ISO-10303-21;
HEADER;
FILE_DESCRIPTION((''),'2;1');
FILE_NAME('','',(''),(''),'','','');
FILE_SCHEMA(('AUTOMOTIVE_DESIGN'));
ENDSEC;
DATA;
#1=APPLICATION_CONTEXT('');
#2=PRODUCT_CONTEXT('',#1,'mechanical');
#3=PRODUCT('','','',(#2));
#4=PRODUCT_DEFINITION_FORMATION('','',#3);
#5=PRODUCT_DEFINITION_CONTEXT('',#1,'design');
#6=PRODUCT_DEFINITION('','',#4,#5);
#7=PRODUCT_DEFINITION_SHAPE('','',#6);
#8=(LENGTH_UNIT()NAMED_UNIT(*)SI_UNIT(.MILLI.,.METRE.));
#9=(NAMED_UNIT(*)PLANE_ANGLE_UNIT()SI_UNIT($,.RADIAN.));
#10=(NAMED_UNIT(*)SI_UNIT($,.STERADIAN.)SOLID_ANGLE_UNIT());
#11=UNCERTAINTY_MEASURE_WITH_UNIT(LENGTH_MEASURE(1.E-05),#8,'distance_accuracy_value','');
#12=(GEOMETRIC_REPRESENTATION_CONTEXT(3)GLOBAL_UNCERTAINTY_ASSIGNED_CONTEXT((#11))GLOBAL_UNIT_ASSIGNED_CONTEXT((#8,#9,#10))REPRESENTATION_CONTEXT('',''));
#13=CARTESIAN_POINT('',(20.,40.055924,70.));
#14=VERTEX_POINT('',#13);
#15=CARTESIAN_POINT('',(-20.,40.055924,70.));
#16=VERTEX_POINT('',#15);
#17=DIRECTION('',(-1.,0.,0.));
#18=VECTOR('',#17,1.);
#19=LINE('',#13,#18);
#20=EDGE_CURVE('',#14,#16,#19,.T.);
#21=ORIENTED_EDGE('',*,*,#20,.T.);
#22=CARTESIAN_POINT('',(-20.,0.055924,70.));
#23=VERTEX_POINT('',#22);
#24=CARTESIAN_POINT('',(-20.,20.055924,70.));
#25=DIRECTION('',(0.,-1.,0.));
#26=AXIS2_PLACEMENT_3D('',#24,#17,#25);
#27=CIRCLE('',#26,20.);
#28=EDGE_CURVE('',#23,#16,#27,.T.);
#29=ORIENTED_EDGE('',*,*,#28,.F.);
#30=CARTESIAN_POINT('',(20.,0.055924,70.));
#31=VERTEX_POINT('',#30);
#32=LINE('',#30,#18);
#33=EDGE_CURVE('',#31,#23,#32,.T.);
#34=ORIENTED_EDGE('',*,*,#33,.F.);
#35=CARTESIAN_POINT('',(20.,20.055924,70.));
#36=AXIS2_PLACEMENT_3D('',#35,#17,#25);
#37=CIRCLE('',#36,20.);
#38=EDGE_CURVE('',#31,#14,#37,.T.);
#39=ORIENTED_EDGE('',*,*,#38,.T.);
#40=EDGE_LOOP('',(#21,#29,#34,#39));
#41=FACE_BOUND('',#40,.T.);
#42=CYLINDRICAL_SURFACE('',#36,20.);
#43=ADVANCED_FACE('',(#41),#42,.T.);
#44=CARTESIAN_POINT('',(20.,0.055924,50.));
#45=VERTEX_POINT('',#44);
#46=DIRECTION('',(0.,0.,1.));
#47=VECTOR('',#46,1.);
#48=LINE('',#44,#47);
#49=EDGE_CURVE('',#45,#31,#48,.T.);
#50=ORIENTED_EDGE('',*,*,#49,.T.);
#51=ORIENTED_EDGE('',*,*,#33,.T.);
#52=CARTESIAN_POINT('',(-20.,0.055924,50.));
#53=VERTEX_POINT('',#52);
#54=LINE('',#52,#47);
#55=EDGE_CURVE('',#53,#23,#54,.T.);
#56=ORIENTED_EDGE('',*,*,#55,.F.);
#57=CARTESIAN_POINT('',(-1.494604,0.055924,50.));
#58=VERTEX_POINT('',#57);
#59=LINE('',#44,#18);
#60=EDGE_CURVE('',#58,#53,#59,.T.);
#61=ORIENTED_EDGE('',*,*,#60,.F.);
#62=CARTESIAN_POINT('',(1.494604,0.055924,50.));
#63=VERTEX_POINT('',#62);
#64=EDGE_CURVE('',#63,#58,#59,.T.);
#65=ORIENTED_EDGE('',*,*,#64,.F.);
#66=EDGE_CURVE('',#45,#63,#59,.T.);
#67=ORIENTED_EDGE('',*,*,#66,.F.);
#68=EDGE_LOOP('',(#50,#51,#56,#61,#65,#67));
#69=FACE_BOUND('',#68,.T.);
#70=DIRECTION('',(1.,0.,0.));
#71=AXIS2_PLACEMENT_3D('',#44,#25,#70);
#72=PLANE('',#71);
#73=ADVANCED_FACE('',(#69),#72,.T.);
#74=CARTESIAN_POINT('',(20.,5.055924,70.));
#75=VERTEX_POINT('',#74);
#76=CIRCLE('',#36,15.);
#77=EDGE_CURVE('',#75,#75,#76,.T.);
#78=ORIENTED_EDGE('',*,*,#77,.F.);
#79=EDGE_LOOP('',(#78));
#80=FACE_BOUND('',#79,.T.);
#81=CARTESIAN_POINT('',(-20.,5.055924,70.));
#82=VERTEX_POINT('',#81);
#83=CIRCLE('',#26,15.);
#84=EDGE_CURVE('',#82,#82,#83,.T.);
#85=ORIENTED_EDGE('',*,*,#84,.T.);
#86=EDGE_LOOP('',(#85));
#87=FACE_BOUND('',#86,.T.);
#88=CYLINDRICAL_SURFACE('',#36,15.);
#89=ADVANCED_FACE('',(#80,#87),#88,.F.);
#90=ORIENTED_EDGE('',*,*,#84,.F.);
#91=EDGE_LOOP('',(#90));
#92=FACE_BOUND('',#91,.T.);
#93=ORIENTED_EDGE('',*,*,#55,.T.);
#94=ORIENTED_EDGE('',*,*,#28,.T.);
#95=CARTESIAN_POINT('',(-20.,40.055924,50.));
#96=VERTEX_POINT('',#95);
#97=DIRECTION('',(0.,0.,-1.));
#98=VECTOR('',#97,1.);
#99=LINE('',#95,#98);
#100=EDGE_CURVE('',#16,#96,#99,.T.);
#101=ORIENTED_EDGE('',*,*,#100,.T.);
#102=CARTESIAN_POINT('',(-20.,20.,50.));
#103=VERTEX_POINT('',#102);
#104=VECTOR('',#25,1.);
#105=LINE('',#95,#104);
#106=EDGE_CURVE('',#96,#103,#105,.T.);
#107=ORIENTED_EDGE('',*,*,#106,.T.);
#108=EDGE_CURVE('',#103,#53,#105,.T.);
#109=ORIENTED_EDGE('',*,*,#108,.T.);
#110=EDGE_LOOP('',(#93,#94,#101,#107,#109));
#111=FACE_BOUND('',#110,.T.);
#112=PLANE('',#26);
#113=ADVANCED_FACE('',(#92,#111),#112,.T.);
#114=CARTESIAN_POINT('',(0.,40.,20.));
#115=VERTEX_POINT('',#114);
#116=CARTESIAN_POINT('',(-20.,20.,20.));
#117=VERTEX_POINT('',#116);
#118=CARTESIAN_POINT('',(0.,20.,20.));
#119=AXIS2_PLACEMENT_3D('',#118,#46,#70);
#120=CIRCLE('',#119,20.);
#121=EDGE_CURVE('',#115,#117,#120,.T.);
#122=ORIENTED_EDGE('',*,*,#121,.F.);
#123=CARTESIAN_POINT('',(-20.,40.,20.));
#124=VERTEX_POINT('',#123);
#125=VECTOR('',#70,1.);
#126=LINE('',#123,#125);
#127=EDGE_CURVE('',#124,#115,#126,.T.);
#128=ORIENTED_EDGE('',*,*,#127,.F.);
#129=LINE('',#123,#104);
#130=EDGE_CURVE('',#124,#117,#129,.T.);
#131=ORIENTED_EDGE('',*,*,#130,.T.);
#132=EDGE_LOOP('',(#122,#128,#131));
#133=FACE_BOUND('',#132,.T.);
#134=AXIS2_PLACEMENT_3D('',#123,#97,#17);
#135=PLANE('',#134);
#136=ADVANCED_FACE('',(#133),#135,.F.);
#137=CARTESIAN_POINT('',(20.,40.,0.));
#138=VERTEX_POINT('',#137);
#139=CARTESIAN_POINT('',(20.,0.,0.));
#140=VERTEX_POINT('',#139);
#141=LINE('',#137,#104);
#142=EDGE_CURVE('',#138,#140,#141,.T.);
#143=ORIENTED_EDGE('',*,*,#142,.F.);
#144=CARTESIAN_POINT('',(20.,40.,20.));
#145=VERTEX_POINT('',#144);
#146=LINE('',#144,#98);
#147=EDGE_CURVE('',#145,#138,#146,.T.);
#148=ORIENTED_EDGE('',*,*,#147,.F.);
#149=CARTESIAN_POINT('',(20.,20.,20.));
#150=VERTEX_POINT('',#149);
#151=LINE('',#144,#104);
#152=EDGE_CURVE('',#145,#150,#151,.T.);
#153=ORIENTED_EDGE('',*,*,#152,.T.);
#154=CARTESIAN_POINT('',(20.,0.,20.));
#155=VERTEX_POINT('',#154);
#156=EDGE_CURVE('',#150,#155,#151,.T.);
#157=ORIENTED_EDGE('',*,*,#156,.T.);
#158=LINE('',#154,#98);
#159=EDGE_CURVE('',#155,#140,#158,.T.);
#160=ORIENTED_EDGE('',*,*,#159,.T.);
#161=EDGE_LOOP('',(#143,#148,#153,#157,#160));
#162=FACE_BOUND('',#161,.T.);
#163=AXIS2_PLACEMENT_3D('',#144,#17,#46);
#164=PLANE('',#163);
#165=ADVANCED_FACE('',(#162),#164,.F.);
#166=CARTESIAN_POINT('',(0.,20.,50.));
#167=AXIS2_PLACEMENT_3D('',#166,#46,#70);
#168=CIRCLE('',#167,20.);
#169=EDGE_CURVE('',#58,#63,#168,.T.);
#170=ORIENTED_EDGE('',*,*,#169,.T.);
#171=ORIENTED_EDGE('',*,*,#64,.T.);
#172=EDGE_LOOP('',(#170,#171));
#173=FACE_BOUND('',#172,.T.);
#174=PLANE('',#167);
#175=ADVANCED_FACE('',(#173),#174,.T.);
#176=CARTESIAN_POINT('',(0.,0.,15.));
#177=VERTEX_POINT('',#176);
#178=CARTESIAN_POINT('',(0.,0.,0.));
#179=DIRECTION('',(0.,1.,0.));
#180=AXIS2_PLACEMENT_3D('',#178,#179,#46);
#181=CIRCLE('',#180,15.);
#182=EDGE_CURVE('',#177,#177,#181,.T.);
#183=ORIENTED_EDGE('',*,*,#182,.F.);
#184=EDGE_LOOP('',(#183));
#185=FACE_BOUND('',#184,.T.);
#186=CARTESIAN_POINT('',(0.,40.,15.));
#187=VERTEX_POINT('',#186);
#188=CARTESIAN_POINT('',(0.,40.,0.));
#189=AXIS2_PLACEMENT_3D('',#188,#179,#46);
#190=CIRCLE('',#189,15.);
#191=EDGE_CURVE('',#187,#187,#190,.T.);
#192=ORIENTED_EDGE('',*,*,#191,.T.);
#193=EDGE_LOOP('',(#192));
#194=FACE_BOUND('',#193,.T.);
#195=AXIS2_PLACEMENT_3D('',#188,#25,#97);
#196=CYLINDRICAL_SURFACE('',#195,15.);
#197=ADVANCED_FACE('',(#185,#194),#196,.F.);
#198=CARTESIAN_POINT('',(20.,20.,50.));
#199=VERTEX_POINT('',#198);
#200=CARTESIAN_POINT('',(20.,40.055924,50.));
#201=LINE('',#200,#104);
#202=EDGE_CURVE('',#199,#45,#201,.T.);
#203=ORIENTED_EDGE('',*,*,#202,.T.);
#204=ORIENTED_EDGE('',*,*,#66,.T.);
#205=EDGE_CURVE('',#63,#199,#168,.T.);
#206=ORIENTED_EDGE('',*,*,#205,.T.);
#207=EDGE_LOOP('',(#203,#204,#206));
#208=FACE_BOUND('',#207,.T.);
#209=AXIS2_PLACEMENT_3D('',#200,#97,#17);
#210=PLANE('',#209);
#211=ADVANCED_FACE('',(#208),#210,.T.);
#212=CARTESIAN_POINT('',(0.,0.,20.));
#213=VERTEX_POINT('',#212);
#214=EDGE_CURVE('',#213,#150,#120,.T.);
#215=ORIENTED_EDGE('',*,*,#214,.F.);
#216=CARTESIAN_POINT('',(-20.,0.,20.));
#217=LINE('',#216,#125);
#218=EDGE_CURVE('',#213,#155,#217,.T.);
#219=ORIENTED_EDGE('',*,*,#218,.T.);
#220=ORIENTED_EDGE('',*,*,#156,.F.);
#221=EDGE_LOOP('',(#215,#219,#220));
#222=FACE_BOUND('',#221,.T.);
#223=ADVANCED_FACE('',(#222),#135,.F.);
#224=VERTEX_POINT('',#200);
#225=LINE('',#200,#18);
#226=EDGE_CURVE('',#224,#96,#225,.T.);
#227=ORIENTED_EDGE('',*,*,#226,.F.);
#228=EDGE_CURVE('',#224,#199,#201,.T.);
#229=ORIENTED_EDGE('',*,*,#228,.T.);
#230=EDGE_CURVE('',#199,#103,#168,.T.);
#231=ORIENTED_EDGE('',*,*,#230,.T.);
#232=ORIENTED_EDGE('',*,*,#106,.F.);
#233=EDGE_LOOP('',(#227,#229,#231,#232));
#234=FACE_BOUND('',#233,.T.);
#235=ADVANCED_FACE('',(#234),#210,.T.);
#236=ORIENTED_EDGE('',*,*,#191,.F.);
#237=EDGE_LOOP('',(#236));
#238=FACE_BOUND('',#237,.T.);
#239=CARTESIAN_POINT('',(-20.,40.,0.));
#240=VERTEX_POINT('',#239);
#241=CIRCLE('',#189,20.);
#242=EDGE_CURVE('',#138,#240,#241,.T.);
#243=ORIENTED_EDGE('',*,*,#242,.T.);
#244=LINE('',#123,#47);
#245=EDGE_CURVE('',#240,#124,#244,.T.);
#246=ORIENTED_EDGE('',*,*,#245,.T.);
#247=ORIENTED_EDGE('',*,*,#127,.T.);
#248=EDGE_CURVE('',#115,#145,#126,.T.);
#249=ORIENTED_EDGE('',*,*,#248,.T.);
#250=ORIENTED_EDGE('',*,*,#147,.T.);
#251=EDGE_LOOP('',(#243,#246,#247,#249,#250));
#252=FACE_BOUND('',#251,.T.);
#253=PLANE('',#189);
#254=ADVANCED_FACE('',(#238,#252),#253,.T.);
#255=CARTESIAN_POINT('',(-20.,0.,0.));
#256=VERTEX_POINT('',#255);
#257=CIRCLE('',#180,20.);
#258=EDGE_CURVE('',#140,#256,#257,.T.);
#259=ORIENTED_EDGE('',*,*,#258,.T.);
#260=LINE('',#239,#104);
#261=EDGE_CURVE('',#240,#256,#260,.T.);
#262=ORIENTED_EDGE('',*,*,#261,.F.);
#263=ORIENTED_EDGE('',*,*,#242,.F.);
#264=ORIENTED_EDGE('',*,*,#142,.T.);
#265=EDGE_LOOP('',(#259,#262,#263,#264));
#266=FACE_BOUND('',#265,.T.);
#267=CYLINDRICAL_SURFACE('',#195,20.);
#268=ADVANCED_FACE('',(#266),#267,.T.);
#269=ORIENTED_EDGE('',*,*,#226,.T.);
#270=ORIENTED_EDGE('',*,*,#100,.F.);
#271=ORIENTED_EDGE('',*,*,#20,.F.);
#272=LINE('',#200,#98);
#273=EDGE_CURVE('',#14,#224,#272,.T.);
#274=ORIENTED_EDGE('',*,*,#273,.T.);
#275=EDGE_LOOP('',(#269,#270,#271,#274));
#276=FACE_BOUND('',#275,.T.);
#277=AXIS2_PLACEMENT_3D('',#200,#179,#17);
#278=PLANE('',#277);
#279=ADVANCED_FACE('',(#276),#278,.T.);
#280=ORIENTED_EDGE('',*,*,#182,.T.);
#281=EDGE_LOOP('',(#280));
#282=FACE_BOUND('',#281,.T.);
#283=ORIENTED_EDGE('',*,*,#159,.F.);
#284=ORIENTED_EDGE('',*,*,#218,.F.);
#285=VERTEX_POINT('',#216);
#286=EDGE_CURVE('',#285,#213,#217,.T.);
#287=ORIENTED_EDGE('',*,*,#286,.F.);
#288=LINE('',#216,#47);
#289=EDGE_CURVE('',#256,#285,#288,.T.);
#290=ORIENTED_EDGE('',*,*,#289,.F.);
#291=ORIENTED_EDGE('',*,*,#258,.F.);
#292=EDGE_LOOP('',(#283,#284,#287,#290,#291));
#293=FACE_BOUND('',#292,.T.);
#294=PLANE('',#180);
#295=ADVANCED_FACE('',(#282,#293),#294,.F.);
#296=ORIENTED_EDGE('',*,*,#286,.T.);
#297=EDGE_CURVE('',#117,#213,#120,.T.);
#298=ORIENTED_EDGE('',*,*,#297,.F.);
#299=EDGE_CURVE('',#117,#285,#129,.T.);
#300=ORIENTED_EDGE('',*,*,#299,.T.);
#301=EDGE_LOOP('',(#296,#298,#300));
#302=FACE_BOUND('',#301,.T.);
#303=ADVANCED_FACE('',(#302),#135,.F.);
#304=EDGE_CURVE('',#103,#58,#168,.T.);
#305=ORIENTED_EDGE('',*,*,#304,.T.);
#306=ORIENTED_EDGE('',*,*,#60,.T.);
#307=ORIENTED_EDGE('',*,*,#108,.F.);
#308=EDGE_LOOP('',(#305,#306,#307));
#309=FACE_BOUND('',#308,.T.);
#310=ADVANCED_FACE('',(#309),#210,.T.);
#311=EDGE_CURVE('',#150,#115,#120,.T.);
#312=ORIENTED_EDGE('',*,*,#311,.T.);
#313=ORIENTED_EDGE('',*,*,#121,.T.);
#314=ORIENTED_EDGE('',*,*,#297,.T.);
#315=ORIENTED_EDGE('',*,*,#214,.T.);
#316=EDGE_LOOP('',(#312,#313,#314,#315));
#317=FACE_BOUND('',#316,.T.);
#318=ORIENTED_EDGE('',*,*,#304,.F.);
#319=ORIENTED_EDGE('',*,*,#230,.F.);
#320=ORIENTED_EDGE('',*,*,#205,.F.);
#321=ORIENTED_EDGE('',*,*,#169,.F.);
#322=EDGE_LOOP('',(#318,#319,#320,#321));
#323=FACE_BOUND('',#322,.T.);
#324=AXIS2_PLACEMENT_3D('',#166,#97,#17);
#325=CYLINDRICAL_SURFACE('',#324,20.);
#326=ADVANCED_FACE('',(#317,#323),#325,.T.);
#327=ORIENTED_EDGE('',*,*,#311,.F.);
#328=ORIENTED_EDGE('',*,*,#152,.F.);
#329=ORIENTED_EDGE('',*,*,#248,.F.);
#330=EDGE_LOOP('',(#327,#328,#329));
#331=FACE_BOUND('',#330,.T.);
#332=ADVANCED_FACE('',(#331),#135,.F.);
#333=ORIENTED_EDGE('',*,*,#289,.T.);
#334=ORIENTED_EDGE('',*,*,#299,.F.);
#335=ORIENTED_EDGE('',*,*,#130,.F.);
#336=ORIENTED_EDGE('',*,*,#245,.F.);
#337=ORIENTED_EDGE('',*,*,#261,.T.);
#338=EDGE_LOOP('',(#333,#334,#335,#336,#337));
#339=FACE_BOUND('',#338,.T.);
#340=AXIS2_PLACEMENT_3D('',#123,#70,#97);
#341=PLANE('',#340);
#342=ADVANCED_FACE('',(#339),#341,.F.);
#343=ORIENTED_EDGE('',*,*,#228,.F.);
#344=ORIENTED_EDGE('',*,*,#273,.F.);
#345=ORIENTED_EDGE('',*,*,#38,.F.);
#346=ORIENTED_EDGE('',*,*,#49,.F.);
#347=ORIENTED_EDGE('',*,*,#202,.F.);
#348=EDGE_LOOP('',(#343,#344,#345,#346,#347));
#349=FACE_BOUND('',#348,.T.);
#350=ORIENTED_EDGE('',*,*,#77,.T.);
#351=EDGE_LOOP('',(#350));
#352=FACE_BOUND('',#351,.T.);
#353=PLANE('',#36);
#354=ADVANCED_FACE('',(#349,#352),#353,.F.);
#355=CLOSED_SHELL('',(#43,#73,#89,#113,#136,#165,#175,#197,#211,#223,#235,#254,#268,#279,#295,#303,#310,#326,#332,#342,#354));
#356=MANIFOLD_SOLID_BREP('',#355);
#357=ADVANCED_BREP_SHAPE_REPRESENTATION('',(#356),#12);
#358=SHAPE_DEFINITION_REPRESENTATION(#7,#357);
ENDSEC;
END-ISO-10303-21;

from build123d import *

# Parameters (mm, degrees)
SKETCH1_R           = 15
BOSS_EXTRUDE1_DEPTH = 40
BOSS_EXTRUDE2_START = 20
SKETCH2_R           = 20
BOSS_EXTRUDE2_DEPTH = 30
SKETCH3_R           = 15
BOSS_EXTRUDE3_DEPTH = 40


with BuildPart() as part:
    # Sketch1 → Boss-Extrude1 (new body)
    with BuildSketch(Plane(origin=(0, 0, 0), x_dir=(1, 0, 0), z_dir=(0, 1, 0))):
        with BuildLine():
            Line((-20, -20), (20, -20))
            Line((20, -20), (20, 0))
            ThreePointArc((20, 0), (0, 20), (-20, 0))
            Line((-20, 0), (-20, -20))
        make_face()
        with Locations(Location((0, 0, 0), (0, 0, 270))):
            Circle(SKETCH1_R, mode=Mode.SUBTRACT)
    extrude(amount=BOSS_EXTRUDE1_DEPTH)

    # Sketch2 → Boss-Extrude2 (add)
    with BuildSketch(Plane.XY.offset(BOSS_EXTRUDE2_START)):
        with Locations((0, 20)):
            Circle(SKETCH2_R)
    extrude(amount=BOSS_EXTRUDE2_DEPTH)

    # Sketch3 → Boss-Extrude3 (add)
    with BuildSketch(Plane.ZY.offset(20)):
        with BuildLine():
            Line((50, 40.055924185), (50, 0.055924185))
            Line((50, 0.055924185), (70, 0.055924185))
            ThreePointArc((70, 0.055924185), (90, 20.055924185), (70, 40.055924185))
            Line((70, 40.055924185), (50, 40.055924185))
        make_face()
        with Locations(Location((70, 20.055924185, 0), (0, 0, 270))):
            Circle(SKETCH3_R, mode=Mode.SUBTRACT)
    extrude(amount=-BOSS_EXTRUDE3_DEPTH)


solid = part.part
